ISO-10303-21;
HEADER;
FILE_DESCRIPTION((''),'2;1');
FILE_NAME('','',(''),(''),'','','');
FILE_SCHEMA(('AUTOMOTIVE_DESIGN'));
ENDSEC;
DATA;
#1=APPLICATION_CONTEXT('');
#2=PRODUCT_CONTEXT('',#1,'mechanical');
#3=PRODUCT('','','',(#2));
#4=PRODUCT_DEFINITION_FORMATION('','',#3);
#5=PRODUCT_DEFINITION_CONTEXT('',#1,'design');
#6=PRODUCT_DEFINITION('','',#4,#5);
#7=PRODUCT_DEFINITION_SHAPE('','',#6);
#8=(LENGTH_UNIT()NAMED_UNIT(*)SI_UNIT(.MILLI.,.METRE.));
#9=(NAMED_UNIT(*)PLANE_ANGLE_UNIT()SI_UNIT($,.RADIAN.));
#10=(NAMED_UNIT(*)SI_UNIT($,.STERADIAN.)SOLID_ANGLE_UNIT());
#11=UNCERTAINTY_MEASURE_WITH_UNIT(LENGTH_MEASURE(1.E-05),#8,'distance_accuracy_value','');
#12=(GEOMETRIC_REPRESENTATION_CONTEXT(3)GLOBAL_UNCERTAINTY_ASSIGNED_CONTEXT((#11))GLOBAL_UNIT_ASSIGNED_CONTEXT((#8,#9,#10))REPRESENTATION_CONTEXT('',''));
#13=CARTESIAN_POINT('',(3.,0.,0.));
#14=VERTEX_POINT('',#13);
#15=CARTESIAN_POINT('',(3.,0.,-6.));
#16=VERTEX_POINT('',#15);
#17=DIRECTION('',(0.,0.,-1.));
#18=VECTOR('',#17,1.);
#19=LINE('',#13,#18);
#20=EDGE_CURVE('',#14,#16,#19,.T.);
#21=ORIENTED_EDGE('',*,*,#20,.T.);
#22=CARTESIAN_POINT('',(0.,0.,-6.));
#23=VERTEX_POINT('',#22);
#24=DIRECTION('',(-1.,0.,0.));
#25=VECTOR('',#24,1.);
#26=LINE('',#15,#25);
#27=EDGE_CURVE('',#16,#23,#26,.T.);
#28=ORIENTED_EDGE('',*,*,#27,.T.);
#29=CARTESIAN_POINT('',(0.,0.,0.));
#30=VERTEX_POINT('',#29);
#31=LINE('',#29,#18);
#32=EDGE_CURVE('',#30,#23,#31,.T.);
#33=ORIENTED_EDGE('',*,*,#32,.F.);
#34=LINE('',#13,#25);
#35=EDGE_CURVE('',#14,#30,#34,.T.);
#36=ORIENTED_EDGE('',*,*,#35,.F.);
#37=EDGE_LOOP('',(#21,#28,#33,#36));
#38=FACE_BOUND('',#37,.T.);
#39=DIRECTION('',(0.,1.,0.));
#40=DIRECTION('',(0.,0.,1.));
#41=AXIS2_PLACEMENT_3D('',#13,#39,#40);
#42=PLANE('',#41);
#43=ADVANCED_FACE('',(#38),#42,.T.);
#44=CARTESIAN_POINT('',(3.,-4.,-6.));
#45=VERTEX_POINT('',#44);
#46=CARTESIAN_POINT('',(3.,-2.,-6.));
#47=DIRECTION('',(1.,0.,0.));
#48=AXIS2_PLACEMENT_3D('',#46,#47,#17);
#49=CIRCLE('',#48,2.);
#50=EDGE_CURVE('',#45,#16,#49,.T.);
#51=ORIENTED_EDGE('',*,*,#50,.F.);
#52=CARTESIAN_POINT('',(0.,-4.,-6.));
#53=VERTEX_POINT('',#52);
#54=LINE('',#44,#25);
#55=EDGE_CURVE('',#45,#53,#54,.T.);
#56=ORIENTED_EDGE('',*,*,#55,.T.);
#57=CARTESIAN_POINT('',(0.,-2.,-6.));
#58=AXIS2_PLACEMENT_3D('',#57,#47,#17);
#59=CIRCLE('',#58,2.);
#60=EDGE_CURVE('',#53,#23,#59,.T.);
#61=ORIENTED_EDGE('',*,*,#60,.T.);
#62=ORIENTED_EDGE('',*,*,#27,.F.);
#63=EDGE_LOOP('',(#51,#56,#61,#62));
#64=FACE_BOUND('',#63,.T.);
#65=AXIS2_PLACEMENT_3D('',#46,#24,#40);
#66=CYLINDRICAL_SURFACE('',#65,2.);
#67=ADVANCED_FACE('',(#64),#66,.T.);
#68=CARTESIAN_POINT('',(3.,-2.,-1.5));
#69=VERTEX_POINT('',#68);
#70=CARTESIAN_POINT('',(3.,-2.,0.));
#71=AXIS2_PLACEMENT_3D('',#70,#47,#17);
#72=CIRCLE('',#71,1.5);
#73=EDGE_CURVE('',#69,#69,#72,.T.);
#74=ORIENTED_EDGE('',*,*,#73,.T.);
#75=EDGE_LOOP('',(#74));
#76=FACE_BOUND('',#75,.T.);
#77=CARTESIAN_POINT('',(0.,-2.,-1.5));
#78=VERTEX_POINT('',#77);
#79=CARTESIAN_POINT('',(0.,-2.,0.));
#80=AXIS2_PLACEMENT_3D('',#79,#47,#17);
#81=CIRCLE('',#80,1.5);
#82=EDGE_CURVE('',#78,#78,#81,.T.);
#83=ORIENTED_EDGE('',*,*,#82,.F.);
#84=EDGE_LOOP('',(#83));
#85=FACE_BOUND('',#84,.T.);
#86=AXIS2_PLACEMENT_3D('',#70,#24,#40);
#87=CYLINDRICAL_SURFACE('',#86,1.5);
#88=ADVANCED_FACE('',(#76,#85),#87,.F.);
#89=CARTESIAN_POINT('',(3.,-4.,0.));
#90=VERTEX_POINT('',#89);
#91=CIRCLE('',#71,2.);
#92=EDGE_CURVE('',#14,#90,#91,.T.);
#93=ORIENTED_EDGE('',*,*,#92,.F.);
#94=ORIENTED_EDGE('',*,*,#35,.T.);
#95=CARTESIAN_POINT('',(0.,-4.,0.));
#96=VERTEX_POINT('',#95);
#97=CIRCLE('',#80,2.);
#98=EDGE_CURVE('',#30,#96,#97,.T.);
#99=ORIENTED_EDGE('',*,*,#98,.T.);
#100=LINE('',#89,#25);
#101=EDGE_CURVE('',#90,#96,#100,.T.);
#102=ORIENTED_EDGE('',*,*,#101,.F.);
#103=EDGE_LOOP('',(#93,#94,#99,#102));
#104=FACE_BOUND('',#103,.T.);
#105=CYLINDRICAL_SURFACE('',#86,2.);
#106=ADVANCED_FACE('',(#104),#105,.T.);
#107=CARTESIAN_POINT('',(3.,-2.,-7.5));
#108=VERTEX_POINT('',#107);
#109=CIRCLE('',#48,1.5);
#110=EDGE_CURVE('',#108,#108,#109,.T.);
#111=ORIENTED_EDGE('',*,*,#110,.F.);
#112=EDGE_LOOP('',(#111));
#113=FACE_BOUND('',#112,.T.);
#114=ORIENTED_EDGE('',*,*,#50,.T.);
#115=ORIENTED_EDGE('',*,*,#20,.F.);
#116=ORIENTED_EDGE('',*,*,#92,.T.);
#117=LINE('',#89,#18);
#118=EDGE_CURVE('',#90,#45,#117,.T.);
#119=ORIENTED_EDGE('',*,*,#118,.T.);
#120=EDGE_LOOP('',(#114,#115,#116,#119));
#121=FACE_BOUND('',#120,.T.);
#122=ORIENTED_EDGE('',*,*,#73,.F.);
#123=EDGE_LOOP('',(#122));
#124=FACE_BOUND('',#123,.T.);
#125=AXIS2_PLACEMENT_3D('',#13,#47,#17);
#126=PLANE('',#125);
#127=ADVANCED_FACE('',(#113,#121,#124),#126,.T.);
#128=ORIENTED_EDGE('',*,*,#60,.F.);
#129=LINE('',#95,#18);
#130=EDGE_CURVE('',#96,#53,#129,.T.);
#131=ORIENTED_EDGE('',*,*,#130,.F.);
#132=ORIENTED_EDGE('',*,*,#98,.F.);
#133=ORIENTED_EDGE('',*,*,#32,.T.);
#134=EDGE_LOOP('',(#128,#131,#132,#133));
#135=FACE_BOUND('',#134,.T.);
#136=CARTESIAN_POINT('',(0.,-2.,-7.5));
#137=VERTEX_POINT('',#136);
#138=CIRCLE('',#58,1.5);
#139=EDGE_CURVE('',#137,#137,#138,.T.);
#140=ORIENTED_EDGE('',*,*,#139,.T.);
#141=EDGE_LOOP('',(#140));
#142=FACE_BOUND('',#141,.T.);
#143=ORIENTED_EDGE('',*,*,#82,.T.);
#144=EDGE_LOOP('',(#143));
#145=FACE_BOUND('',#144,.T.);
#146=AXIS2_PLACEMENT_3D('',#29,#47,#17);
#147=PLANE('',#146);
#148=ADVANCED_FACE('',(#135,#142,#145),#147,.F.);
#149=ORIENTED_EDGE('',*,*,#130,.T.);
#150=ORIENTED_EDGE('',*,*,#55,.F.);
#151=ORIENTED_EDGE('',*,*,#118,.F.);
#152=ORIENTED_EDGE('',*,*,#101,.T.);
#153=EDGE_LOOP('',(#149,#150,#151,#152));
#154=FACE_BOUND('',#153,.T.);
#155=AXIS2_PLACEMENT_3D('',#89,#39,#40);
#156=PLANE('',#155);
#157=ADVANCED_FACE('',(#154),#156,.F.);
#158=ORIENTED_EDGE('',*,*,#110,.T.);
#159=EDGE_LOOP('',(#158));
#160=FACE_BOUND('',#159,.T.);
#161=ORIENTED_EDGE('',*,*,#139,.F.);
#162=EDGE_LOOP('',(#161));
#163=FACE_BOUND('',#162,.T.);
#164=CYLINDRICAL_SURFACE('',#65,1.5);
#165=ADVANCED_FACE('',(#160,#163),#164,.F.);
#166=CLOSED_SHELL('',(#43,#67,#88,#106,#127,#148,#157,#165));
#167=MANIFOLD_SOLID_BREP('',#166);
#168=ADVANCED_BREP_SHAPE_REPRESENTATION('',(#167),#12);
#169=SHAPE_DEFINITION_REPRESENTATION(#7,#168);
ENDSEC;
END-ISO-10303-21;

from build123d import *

# Parameters (mm, degrees)
BOSS_EXTRUDE1_DEPTH = 3


with BuildPart() as part:
    # Sketch2 → Boss-Extrude1 (new body)
    with BuildSketch(Plane(origin=(0, 0, 0), x_dir=(0, 0, -1), z_dir=(1, 0, 0))):
        with BuildLine():
            Line((6, 0), (0, 0))
            ThreePointArc((0, 0), (1.414213562, -0.585786438), (2, -2))
            Line((2, -2), (4, -2))
            ThreePointArc((4, -2), (4.585786438, -0.585786438), (6, 0))
        make_face()
        with BuildLine():
            Line((4, -2), (2, -2))
            ThreePointArc((2, -2), (1.414213562, -3.414213562), (0, -4))
            Line((0, -4), (6, -4))
            ThreePointArc((6, -4), (4.585786438, -3.414213562), (4, -2))
        make_face()
        with BuildLine():
            ThreePointArc((2, -2), (1.414213562, -0.585786438), (0, 0))
            ThreePointArc((0, 0), (-1.414213562, -0.585786438), (-2, -2))
            Line((-2, -2), (-1.5, -2))
            ThreePointArc((-1.5, -2), (0, -0.5), (1.5, -2))
            Line((1.5, -2), (2, -2))
        make_face()
        with BuildLine():
            ThreePointArc((0, -4), (1.414213562, -3.414213562), (2, -2))
            Line((2, -2), (1.5, -2))
            ThreePointArc((1.5, -2), (0, -3.5), (-1.5, -2))
            Line((-1.5, -2), (-2, -2))
            ThreePointArc((-2, -2), (-1.414213562, -3.414213562), (0, -4))
        make_face()
        with BuildLine():
            ThreePointArc((8, -2), (7.414213562, -0.585786438), (6, 0))
            ThreePointArc((6, 0), (4.585786438, -0.585786438), (4, -2))
            Line((4, -2), (4.5, -2))
            ThreePointArc((4.5, -2), (6, -0.5), (7.5, -2))
            Line((7.5, -2), (8, -2))
        make_face()
        with BuildLine():
            ThreePointArc((6, -4), (7.414213562, -3.414213562), (8, -2))
            Line((8, -2), (7.5, -2))
            ThreePointArc((7.5, -2), (6, -3.5), (4.5, -2))
            Line((4.5, -2), (4, -2))
            ThreePointArc((4, -2), (4.585786438, -3.414213562), (6, -4))
        make_face()
    extrude(amount=BOSS_EXTRUDE1_DEPTH)


solid = part.part
